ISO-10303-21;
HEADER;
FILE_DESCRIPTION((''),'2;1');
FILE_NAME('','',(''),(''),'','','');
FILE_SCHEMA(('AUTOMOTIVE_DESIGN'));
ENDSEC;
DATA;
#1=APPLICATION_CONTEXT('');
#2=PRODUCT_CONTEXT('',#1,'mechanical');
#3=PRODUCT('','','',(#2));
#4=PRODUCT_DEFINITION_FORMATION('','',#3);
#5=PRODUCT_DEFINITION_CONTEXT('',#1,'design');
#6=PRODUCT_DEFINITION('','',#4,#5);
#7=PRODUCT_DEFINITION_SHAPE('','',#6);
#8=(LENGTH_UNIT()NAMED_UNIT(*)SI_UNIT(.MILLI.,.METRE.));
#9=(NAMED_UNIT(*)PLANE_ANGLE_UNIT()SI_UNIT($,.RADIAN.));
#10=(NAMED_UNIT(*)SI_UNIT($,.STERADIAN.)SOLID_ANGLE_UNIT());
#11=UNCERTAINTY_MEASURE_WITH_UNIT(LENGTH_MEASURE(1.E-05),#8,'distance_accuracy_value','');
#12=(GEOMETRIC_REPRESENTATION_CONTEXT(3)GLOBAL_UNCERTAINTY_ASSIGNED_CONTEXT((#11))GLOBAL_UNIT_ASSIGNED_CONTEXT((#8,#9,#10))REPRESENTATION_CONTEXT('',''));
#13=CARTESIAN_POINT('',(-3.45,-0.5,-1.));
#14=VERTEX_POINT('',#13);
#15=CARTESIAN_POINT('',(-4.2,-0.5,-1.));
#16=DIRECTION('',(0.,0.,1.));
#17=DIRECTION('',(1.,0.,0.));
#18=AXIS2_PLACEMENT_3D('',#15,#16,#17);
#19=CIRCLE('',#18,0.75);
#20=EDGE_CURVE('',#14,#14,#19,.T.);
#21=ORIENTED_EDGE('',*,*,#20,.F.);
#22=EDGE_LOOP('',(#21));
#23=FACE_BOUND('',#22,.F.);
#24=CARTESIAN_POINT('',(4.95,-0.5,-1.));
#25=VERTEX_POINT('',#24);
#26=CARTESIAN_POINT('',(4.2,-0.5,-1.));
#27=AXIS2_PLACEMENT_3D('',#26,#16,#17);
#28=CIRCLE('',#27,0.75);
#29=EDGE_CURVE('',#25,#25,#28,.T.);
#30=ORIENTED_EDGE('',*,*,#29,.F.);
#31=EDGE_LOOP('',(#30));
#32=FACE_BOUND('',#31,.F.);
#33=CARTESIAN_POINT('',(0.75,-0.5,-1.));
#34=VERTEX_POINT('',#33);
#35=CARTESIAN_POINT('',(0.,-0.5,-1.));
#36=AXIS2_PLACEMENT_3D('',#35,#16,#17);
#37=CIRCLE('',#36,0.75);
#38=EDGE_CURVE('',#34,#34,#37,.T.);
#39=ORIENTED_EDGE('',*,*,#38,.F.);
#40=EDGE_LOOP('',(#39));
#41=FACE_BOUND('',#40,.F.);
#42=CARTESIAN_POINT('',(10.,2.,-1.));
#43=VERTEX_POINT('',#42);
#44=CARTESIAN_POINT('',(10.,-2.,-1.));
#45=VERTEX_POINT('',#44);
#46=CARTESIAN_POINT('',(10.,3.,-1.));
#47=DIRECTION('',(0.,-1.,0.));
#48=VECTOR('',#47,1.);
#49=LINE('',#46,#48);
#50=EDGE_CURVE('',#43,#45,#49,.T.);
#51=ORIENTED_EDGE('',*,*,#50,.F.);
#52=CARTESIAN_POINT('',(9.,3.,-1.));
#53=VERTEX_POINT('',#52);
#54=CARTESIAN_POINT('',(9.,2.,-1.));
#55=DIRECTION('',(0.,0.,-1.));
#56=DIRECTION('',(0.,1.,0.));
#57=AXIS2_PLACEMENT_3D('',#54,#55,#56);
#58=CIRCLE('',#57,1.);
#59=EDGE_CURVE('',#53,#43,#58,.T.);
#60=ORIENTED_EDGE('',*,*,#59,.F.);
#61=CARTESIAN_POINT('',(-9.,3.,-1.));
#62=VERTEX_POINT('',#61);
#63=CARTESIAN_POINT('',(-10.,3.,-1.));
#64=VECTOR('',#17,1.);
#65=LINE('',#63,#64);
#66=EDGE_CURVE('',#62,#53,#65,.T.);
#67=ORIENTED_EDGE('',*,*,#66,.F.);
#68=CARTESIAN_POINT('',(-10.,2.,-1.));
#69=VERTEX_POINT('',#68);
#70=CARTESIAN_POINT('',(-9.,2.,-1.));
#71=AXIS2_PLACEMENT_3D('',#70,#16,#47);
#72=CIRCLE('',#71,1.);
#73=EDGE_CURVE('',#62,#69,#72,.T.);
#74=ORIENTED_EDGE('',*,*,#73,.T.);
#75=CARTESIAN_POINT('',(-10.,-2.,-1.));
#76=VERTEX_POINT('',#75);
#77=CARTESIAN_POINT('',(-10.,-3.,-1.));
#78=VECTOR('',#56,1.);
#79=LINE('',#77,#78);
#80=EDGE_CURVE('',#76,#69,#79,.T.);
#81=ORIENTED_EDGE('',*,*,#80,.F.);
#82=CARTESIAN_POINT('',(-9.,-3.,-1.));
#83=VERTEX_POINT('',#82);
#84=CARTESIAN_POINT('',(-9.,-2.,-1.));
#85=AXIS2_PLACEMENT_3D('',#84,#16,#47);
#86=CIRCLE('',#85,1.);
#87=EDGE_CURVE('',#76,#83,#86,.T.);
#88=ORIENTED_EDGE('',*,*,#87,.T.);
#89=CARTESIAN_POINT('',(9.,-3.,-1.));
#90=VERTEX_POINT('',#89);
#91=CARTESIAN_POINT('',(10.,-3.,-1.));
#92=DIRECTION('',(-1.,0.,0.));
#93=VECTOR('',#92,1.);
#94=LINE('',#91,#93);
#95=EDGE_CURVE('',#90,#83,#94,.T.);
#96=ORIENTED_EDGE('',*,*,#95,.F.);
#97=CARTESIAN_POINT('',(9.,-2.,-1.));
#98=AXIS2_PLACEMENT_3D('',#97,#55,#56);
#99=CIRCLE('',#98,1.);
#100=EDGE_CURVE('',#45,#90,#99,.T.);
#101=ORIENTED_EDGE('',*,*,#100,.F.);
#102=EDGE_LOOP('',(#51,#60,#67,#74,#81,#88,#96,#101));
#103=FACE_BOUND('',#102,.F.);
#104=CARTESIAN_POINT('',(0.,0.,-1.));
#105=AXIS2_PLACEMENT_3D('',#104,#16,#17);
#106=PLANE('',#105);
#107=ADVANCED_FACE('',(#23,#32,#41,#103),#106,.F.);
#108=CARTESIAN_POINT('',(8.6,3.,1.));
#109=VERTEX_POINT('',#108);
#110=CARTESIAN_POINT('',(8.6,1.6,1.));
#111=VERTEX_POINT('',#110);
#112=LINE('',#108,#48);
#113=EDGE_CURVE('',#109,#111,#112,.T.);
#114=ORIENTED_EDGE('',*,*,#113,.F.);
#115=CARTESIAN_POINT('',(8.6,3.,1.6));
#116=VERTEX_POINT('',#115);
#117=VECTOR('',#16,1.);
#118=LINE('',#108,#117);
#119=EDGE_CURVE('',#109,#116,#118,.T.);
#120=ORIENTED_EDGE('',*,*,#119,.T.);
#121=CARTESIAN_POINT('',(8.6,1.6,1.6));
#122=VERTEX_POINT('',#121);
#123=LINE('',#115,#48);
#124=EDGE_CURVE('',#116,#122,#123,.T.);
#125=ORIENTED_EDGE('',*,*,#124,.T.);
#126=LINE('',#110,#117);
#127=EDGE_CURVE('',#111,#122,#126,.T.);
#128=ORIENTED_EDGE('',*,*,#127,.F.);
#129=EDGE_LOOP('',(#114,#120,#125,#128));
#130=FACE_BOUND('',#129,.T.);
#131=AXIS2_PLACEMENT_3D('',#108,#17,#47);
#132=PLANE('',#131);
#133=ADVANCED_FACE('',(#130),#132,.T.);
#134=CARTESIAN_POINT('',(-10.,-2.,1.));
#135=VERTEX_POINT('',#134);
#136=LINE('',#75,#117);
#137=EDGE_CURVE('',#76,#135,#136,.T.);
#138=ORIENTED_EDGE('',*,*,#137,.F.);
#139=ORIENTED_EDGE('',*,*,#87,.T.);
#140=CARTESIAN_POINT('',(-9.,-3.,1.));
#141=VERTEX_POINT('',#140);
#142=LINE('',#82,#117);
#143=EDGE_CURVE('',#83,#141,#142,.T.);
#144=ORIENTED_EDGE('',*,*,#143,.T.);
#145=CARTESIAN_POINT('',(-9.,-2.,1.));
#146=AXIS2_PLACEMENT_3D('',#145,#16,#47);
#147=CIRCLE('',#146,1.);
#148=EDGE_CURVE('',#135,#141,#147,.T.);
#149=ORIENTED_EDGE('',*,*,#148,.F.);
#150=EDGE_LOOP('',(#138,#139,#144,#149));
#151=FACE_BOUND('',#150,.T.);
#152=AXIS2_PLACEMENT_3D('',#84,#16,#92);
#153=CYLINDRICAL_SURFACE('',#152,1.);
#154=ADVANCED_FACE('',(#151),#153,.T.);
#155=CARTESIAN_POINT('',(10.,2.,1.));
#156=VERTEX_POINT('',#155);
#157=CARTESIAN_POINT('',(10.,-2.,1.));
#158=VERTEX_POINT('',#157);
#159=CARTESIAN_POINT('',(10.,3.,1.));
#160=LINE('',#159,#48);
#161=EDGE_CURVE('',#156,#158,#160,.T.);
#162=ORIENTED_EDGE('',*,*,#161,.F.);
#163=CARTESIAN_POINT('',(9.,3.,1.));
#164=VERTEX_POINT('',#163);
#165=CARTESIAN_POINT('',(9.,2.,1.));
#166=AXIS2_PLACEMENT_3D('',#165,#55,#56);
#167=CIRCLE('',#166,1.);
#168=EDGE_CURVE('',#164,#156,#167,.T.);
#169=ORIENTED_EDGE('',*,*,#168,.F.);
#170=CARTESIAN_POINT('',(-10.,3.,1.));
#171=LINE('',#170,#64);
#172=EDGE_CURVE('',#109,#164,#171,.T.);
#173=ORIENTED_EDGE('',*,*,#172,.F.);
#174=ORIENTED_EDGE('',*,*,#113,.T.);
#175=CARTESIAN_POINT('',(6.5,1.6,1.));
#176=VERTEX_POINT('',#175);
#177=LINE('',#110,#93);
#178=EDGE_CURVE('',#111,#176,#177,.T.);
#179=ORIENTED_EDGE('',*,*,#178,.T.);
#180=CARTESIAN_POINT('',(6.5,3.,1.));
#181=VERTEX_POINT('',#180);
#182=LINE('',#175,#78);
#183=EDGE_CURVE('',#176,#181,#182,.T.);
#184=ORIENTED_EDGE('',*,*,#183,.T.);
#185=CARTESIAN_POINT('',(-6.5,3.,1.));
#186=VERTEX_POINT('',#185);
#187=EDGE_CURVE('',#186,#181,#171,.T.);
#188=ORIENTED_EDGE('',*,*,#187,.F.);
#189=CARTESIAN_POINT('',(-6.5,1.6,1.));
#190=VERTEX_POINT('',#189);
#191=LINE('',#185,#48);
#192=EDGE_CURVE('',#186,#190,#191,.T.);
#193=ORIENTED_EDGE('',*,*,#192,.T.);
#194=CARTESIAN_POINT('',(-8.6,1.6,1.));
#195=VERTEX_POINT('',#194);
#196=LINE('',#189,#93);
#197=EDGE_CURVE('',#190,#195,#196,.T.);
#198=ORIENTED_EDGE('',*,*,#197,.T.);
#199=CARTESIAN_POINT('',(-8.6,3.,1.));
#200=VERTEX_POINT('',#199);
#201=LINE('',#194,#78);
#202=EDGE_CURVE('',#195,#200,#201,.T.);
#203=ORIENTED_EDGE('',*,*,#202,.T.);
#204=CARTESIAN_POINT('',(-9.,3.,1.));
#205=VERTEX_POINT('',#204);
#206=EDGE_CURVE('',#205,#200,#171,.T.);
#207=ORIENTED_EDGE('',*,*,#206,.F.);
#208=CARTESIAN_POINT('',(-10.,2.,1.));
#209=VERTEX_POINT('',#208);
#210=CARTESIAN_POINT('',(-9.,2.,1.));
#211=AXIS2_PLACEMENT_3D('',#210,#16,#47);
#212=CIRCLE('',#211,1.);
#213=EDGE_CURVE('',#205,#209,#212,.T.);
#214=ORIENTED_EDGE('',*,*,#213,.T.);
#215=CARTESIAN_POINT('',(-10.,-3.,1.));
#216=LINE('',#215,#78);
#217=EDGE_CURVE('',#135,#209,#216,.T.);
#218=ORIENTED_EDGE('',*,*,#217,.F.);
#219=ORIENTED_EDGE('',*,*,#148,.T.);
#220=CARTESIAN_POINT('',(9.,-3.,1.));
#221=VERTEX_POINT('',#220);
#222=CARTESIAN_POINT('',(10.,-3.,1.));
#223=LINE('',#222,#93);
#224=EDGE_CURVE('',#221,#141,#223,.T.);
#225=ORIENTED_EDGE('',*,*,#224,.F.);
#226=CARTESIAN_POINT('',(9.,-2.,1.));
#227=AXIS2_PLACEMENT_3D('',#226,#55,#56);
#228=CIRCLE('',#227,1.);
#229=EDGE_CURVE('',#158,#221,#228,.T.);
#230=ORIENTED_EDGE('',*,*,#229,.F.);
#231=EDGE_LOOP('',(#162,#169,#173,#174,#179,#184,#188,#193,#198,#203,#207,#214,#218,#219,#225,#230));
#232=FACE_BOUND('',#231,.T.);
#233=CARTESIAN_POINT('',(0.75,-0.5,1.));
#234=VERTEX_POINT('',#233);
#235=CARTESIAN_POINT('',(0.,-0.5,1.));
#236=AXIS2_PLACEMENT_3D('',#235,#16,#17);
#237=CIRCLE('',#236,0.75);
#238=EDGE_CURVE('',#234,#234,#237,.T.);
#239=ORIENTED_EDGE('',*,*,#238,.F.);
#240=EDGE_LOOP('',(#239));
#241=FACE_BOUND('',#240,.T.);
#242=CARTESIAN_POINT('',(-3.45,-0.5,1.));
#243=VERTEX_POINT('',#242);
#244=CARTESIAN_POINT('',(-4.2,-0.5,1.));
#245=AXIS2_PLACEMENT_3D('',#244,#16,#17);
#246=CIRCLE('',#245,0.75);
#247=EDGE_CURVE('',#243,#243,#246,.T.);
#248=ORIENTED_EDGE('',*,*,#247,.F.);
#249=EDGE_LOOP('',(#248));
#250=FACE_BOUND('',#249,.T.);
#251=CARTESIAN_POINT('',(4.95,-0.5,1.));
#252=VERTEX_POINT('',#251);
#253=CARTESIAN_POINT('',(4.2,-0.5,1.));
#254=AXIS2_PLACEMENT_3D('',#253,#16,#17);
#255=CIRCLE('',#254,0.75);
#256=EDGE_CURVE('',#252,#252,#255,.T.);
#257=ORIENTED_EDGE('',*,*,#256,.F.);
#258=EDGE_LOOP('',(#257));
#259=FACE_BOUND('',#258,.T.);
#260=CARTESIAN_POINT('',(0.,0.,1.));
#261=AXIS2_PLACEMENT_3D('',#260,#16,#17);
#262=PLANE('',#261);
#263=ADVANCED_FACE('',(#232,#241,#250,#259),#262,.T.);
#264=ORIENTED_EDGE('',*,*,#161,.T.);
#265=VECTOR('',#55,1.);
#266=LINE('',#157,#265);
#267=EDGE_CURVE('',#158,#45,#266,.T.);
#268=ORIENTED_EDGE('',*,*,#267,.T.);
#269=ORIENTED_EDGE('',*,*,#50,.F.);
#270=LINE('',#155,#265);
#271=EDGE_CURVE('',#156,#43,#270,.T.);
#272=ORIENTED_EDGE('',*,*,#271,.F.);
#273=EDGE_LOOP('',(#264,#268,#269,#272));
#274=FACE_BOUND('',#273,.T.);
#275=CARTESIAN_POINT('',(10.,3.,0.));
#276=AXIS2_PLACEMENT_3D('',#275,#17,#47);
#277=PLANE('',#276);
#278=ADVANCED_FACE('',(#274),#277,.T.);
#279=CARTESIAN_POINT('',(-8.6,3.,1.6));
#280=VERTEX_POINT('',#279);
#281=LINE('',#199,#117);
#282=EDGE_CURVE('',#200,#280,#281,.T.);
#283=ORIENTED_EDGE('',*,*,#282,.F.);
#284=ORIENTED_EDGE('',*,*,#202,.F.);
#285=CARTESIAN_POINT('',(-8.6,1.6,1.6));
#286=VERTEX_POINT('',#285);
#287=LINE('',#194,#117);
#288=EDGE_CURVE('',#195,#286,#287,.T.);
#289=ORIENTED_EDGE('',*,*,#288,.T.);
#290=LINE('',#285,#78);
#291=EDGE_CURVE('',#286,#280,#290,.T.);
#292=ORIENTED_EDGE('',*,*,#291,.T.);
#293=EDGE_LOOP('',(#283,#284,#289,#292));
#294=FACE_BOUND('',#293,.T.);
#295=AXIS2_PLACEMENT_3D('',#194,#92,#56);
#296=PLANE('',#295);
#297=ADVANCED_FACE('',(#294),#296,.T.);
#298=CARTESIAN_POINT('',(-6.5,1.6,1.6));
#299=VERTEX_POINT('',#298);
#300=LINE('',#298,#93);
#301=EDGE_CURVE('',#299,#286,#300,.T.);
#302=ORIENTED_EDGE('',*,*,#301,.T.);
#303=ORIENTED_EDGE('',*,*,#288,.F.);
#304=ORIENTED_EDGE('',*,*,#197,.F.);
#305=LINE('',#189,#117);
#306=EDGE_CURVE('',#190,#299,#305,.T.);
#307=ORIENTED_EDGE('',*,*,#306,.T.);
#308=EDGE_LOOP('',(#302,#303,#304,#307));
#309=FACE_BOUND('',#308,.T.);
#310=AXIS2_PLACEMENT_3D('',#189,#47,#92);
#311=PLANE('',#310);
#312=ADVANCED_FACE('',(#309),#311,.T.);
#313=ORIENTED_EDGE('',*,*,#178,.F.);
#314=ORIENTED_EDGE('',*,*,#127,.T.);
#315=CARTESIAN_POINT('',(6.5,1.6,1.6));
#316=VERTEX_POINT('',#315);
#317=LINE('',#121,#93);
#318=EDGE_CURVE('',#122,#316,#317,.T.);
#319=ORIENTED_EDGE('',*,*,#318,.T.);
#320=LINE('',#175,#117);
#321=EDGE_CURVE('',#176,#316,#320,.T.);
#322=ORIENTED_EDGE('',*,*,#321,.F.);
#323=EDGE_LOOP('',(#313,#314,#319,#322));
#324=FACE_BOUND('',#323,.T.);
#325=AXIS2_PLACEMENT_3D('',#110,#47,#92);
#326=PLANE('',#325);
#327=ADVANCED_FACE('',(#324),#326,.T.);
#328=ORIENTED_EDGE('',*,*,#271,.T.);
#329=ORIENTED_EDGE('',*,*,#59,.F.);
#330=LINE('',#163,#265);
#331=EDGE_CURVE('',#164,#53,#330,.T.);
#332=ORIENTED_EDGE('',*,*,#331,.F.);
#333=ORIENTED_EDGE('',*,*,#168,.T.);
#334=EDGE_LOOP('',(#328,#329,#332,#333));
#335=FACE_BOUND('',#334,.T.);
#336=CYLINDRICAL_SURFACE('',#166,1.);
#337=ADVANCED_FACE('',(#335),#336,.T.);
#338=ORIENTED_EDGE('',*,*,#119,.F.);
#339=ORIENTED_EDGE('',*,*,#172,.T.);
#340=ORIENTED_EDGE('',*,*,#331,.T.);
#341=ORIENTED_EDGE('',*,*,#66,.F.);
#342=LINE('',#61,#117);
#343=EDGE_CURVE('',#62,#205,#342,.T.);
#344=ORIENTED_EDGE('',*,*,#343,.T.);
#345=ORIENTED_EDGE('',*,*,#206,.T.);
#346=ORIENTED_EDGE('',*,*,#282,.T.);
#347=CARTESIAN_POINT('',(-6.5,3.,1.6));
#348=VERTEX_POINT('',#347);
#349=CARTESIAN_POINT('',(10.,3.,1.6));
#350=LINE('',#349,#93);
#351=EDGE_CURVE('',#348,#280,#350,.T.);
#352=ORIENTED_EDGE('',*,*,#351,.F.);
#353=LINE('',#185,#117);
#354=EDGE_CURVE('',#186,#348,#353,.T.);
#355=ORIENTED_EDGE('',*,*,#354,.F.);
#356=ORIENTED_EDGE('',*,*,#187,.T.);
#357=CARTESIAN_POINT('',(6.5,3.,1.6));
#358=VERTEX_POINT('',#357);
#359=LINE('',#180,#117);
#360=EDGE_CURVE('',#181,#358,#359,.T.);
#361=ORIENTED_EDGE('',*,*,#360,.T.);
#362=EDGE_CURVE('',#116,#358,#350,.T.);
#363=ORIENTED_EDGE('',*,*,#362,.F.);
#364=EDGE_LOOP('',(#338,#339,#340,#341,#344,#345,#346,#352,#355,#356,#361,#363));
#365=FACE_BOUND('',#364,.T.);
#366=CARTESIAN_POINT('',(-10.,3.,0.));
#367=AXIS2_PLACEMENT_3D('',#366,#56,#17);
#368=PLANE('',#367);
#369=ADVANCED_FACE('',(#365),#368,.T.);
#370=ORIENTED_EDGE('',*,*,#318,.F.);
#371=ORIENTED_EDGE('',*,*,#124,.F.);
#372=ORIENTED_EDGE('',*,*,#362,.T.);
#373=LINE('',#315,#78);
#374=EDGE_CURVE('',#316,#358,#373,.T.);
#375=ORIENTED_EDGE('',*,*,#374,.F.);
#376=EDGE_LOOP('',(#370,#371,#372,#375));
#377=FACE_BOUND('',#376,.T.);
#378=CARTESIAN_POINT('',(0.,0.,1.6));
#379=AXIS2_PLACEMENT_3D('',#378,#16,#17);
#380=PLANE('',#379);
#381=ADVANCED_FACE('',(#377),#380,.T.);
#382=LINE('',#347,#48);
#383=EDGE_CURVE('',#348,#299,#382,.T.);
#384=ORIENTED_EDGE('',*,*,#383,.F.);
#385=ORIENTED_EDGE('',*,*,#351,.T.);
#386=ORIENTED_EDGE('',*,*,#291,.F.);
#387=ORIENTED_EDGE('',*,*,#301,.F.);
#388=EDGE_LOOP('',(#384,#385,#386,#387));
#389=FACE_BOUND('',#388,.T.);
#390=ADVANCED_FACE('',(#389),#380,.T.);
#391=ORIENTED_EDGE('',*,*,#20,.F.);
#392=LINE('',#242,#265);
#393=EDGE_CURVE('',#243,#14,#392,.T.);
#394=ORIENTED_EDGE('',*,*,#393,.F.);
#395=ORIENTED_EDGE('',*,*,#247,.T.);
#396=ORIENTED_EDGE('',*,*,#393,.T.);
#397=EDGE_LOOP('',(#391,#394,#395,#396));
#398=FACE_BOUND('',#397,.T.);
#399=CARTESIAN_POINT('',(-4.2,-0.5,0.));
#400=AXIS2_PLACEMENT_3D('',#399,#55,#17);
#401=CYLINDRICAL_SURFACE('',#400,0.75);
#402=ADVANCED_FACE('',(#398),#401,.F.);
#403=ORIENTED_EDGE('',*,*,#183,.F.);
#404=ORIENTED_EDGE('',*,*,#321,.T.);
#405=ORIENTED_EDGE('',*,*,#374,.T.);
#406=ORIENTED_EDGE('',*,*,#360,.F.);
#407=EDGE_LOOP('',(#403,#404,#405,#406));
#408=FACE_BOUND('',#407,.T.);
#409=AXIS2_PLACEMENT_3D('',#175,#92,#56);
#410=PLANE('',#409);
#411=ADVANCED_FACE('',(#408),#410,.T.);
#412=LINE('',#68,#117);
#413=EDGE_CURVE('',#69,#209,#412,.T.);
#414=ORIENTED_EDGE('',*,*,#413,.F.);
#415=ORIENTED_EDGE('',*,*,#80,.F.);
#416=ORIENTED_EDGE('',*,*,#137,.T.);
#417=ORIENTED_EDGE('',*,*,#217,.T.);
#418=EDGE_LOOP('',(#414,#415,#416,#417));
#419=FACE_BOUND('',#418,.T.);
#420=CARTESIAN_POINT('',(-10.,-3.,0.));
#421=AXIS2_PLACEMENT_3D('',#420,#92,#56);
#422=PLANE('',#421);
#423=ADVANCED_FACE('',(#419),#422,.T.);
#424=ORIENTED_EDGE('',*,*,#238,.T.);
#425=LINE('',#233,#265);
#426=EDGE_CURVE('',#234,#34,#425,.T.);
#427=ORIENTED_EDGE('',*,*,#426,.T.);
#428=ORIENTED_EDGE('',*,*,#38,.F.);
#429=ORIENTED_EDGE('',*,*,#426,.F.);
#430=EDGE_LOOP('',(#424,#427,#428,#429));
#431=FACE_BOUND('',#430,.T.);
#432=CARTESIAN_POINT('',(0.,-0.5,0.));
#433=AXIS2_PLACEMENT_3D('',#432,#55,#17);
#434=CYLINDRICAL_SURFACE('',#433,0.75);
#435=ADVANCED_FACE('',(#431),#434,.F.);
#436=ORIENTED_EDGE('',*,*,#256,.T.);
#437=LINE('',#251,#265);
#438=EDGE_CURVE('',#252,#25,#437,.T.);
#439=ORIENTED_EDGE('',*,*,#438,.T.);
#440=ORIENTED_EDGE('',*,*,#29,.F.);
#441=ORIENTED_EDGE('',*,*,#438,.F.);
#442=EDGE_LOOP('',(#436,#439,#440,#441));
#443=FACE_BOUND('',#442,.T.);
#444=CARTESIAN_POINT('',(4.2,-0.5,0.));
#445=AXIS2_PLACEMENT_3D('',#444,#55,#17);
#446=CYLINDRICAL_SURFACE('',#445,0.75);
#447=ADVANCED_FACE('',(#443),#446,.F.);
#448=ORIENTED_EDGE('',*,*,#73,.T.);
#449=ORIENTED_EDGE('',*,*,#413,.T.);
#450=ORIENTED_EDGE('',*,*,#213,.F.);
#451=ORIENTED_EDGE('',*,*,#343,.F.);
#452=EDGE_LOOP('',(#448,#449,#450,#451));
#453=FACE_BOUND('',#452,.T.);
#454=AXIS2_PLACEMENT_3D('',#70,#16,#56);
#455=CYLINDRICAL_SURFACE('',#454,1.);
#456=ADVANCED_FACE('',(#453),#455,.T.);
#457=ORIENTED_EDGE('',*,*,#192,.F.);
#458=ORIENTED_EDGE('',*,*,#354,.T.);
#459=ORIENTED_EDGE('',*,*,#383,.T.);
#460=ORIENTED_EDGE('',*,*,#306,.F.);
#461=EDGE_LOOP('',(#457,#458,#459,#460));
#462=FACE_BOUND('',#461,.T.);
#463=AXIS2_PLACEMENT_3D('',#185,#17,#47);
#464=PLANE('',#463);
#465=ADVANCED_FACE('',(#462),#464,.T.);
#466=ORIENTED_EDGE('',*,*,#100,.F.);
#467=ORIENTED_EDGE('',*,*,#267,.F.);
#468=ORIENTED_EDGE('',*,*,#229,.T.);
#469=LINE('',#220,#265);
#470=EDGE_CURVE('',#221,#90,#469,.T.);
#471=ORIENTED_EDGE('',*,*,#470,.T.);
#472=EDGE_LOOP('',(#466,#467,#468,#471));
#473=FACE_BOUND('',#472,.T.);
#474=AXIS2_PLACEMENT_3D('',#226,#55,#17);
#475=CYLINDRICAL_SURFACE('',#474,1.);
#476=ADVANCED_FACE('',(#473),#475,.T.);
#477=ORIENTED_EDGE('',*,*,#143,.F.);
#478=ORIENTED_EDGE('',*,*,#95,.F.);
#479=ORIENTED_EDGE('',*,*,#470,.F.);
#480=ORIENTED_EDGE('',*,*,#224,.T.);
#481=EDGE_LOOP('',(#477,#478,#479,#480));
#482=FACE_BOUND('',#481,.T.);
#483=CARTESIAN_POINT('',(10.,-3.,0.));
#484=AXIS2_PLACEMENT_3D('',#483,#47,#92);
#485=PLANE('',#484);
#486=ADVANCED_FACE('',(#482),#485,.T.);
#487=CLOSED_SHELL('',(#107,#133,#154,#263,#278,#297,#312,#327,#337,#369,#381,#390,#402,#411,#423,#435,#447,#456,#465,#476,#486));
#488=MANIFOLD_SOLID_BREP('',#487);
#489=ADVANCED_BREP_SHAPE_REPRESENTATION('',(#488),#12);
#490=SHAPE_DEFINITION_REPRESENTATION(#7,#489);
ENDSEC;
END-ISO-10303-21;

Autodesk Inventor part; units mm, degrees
ref_plane "YZ Plane" through (0, 0, 0) normal (1, 0, 0) x (0, 1, 0)
ref_plane "XZ Plane" through (0, 0, 0) normal (0, 1, 0) x (-1, 0, 0)
ref_plane "XY Plane" through (0, 0, 0) normal (0, 0, 1) x (1, 0, 0)
sketch "Sketch1" plane through (0, 0, 0) normal (0, 0, 1) x (1, 0, 0)
  line L0 (-10, 3) -> (10, 3)
  line L1 (10, 3) -> (10, -3)
  line L2 (10, -3) -> (-10, -3)
  line L3 (-10, -3) -> (-10, 3)
  circle A0 centre (-4.2, -0.5) radius 0.75
  circle A1 centre (4.2, -0.5) radius 0.75
  circle A2 centre (0, -0.5) radius 0.75
  point P0 (0, 0)
  dimension "d0" = 20
  dimension "d1" = 6
  dimension "d2" = 3
  dimension "d3" = 10
  dimension "d7" = 1.5
  dimension "d8" = 1.5
  dimension "d18" = 2.5
  dimension "d19" = 2.5
  dimension "d20" = 1.5
  dimension "d21" = 2.5
  dimension "d22" = 10
  dimension "d23" = 4.2
  dimension "d24" = 4.2
extrude "Extrusion1" add sketch "Sketch1" along normal mid plane 2
sketch "Sketch2" plane through (0, 0, 1) normal (0, 0, 1) x (1, 0, 0)
  line L0 (10, 3) -> (-10, 3) projected
  line L1 (-8.6, 3) -> (-6.5, 3)
  line L2 (-6.5, 3) -> (-6.5, 1.6)
  line L3 (-6.5, 1.6) -> (-8.6, 1.6)
  line L4 (-8.6, 1.6) -> (-8.6, 3)
  line L5 (6.5, 3) -> (8.6, 3)
  line L6 (8.6, 3) -> (8.6, 1.6)
  line L7 (8.6, 1.6) -> (6.5, 1.6)
  line L8 (6.5, 1.6) -> (6.5, 3)
  line L9 (-10, 3) -> (-10, -3) projected
  line L10 (10, -3) -> (10, 3) projected
  point P0 (0, 0)
  point P1 (-6.5, 2.3)
  dimension "d17" = 1.4
  dimension "d30" = 2.1
  dimension "d31" = 6.5
  dimension "d32" = 6.5
  dimension "d33" = 2.1
extrude "Extrusion2" add sketch "Sketch2" along normal blind 0.6
fillet "Fillet1" radius 1 4 edges at (10, 3, 0) (10, -3, 0) (-10, -3, 0) (-10, 3, 0)
equation "\"d2\" = 0.5 * d1"
equation "\"d3\" = 0.5 * d0"
equation "\"d7\" = d20"
equation "\"d8\" = d20"
equation "\"d19\" = d18"
equation "\"d21\" = d19"
equation "\"d22\" = d3"
equation "\"d24\" = d23"
equation "\"d32\" = d31"
equation "\"d33\" = d30"
properties part number "charger_holder_3DPrint"
